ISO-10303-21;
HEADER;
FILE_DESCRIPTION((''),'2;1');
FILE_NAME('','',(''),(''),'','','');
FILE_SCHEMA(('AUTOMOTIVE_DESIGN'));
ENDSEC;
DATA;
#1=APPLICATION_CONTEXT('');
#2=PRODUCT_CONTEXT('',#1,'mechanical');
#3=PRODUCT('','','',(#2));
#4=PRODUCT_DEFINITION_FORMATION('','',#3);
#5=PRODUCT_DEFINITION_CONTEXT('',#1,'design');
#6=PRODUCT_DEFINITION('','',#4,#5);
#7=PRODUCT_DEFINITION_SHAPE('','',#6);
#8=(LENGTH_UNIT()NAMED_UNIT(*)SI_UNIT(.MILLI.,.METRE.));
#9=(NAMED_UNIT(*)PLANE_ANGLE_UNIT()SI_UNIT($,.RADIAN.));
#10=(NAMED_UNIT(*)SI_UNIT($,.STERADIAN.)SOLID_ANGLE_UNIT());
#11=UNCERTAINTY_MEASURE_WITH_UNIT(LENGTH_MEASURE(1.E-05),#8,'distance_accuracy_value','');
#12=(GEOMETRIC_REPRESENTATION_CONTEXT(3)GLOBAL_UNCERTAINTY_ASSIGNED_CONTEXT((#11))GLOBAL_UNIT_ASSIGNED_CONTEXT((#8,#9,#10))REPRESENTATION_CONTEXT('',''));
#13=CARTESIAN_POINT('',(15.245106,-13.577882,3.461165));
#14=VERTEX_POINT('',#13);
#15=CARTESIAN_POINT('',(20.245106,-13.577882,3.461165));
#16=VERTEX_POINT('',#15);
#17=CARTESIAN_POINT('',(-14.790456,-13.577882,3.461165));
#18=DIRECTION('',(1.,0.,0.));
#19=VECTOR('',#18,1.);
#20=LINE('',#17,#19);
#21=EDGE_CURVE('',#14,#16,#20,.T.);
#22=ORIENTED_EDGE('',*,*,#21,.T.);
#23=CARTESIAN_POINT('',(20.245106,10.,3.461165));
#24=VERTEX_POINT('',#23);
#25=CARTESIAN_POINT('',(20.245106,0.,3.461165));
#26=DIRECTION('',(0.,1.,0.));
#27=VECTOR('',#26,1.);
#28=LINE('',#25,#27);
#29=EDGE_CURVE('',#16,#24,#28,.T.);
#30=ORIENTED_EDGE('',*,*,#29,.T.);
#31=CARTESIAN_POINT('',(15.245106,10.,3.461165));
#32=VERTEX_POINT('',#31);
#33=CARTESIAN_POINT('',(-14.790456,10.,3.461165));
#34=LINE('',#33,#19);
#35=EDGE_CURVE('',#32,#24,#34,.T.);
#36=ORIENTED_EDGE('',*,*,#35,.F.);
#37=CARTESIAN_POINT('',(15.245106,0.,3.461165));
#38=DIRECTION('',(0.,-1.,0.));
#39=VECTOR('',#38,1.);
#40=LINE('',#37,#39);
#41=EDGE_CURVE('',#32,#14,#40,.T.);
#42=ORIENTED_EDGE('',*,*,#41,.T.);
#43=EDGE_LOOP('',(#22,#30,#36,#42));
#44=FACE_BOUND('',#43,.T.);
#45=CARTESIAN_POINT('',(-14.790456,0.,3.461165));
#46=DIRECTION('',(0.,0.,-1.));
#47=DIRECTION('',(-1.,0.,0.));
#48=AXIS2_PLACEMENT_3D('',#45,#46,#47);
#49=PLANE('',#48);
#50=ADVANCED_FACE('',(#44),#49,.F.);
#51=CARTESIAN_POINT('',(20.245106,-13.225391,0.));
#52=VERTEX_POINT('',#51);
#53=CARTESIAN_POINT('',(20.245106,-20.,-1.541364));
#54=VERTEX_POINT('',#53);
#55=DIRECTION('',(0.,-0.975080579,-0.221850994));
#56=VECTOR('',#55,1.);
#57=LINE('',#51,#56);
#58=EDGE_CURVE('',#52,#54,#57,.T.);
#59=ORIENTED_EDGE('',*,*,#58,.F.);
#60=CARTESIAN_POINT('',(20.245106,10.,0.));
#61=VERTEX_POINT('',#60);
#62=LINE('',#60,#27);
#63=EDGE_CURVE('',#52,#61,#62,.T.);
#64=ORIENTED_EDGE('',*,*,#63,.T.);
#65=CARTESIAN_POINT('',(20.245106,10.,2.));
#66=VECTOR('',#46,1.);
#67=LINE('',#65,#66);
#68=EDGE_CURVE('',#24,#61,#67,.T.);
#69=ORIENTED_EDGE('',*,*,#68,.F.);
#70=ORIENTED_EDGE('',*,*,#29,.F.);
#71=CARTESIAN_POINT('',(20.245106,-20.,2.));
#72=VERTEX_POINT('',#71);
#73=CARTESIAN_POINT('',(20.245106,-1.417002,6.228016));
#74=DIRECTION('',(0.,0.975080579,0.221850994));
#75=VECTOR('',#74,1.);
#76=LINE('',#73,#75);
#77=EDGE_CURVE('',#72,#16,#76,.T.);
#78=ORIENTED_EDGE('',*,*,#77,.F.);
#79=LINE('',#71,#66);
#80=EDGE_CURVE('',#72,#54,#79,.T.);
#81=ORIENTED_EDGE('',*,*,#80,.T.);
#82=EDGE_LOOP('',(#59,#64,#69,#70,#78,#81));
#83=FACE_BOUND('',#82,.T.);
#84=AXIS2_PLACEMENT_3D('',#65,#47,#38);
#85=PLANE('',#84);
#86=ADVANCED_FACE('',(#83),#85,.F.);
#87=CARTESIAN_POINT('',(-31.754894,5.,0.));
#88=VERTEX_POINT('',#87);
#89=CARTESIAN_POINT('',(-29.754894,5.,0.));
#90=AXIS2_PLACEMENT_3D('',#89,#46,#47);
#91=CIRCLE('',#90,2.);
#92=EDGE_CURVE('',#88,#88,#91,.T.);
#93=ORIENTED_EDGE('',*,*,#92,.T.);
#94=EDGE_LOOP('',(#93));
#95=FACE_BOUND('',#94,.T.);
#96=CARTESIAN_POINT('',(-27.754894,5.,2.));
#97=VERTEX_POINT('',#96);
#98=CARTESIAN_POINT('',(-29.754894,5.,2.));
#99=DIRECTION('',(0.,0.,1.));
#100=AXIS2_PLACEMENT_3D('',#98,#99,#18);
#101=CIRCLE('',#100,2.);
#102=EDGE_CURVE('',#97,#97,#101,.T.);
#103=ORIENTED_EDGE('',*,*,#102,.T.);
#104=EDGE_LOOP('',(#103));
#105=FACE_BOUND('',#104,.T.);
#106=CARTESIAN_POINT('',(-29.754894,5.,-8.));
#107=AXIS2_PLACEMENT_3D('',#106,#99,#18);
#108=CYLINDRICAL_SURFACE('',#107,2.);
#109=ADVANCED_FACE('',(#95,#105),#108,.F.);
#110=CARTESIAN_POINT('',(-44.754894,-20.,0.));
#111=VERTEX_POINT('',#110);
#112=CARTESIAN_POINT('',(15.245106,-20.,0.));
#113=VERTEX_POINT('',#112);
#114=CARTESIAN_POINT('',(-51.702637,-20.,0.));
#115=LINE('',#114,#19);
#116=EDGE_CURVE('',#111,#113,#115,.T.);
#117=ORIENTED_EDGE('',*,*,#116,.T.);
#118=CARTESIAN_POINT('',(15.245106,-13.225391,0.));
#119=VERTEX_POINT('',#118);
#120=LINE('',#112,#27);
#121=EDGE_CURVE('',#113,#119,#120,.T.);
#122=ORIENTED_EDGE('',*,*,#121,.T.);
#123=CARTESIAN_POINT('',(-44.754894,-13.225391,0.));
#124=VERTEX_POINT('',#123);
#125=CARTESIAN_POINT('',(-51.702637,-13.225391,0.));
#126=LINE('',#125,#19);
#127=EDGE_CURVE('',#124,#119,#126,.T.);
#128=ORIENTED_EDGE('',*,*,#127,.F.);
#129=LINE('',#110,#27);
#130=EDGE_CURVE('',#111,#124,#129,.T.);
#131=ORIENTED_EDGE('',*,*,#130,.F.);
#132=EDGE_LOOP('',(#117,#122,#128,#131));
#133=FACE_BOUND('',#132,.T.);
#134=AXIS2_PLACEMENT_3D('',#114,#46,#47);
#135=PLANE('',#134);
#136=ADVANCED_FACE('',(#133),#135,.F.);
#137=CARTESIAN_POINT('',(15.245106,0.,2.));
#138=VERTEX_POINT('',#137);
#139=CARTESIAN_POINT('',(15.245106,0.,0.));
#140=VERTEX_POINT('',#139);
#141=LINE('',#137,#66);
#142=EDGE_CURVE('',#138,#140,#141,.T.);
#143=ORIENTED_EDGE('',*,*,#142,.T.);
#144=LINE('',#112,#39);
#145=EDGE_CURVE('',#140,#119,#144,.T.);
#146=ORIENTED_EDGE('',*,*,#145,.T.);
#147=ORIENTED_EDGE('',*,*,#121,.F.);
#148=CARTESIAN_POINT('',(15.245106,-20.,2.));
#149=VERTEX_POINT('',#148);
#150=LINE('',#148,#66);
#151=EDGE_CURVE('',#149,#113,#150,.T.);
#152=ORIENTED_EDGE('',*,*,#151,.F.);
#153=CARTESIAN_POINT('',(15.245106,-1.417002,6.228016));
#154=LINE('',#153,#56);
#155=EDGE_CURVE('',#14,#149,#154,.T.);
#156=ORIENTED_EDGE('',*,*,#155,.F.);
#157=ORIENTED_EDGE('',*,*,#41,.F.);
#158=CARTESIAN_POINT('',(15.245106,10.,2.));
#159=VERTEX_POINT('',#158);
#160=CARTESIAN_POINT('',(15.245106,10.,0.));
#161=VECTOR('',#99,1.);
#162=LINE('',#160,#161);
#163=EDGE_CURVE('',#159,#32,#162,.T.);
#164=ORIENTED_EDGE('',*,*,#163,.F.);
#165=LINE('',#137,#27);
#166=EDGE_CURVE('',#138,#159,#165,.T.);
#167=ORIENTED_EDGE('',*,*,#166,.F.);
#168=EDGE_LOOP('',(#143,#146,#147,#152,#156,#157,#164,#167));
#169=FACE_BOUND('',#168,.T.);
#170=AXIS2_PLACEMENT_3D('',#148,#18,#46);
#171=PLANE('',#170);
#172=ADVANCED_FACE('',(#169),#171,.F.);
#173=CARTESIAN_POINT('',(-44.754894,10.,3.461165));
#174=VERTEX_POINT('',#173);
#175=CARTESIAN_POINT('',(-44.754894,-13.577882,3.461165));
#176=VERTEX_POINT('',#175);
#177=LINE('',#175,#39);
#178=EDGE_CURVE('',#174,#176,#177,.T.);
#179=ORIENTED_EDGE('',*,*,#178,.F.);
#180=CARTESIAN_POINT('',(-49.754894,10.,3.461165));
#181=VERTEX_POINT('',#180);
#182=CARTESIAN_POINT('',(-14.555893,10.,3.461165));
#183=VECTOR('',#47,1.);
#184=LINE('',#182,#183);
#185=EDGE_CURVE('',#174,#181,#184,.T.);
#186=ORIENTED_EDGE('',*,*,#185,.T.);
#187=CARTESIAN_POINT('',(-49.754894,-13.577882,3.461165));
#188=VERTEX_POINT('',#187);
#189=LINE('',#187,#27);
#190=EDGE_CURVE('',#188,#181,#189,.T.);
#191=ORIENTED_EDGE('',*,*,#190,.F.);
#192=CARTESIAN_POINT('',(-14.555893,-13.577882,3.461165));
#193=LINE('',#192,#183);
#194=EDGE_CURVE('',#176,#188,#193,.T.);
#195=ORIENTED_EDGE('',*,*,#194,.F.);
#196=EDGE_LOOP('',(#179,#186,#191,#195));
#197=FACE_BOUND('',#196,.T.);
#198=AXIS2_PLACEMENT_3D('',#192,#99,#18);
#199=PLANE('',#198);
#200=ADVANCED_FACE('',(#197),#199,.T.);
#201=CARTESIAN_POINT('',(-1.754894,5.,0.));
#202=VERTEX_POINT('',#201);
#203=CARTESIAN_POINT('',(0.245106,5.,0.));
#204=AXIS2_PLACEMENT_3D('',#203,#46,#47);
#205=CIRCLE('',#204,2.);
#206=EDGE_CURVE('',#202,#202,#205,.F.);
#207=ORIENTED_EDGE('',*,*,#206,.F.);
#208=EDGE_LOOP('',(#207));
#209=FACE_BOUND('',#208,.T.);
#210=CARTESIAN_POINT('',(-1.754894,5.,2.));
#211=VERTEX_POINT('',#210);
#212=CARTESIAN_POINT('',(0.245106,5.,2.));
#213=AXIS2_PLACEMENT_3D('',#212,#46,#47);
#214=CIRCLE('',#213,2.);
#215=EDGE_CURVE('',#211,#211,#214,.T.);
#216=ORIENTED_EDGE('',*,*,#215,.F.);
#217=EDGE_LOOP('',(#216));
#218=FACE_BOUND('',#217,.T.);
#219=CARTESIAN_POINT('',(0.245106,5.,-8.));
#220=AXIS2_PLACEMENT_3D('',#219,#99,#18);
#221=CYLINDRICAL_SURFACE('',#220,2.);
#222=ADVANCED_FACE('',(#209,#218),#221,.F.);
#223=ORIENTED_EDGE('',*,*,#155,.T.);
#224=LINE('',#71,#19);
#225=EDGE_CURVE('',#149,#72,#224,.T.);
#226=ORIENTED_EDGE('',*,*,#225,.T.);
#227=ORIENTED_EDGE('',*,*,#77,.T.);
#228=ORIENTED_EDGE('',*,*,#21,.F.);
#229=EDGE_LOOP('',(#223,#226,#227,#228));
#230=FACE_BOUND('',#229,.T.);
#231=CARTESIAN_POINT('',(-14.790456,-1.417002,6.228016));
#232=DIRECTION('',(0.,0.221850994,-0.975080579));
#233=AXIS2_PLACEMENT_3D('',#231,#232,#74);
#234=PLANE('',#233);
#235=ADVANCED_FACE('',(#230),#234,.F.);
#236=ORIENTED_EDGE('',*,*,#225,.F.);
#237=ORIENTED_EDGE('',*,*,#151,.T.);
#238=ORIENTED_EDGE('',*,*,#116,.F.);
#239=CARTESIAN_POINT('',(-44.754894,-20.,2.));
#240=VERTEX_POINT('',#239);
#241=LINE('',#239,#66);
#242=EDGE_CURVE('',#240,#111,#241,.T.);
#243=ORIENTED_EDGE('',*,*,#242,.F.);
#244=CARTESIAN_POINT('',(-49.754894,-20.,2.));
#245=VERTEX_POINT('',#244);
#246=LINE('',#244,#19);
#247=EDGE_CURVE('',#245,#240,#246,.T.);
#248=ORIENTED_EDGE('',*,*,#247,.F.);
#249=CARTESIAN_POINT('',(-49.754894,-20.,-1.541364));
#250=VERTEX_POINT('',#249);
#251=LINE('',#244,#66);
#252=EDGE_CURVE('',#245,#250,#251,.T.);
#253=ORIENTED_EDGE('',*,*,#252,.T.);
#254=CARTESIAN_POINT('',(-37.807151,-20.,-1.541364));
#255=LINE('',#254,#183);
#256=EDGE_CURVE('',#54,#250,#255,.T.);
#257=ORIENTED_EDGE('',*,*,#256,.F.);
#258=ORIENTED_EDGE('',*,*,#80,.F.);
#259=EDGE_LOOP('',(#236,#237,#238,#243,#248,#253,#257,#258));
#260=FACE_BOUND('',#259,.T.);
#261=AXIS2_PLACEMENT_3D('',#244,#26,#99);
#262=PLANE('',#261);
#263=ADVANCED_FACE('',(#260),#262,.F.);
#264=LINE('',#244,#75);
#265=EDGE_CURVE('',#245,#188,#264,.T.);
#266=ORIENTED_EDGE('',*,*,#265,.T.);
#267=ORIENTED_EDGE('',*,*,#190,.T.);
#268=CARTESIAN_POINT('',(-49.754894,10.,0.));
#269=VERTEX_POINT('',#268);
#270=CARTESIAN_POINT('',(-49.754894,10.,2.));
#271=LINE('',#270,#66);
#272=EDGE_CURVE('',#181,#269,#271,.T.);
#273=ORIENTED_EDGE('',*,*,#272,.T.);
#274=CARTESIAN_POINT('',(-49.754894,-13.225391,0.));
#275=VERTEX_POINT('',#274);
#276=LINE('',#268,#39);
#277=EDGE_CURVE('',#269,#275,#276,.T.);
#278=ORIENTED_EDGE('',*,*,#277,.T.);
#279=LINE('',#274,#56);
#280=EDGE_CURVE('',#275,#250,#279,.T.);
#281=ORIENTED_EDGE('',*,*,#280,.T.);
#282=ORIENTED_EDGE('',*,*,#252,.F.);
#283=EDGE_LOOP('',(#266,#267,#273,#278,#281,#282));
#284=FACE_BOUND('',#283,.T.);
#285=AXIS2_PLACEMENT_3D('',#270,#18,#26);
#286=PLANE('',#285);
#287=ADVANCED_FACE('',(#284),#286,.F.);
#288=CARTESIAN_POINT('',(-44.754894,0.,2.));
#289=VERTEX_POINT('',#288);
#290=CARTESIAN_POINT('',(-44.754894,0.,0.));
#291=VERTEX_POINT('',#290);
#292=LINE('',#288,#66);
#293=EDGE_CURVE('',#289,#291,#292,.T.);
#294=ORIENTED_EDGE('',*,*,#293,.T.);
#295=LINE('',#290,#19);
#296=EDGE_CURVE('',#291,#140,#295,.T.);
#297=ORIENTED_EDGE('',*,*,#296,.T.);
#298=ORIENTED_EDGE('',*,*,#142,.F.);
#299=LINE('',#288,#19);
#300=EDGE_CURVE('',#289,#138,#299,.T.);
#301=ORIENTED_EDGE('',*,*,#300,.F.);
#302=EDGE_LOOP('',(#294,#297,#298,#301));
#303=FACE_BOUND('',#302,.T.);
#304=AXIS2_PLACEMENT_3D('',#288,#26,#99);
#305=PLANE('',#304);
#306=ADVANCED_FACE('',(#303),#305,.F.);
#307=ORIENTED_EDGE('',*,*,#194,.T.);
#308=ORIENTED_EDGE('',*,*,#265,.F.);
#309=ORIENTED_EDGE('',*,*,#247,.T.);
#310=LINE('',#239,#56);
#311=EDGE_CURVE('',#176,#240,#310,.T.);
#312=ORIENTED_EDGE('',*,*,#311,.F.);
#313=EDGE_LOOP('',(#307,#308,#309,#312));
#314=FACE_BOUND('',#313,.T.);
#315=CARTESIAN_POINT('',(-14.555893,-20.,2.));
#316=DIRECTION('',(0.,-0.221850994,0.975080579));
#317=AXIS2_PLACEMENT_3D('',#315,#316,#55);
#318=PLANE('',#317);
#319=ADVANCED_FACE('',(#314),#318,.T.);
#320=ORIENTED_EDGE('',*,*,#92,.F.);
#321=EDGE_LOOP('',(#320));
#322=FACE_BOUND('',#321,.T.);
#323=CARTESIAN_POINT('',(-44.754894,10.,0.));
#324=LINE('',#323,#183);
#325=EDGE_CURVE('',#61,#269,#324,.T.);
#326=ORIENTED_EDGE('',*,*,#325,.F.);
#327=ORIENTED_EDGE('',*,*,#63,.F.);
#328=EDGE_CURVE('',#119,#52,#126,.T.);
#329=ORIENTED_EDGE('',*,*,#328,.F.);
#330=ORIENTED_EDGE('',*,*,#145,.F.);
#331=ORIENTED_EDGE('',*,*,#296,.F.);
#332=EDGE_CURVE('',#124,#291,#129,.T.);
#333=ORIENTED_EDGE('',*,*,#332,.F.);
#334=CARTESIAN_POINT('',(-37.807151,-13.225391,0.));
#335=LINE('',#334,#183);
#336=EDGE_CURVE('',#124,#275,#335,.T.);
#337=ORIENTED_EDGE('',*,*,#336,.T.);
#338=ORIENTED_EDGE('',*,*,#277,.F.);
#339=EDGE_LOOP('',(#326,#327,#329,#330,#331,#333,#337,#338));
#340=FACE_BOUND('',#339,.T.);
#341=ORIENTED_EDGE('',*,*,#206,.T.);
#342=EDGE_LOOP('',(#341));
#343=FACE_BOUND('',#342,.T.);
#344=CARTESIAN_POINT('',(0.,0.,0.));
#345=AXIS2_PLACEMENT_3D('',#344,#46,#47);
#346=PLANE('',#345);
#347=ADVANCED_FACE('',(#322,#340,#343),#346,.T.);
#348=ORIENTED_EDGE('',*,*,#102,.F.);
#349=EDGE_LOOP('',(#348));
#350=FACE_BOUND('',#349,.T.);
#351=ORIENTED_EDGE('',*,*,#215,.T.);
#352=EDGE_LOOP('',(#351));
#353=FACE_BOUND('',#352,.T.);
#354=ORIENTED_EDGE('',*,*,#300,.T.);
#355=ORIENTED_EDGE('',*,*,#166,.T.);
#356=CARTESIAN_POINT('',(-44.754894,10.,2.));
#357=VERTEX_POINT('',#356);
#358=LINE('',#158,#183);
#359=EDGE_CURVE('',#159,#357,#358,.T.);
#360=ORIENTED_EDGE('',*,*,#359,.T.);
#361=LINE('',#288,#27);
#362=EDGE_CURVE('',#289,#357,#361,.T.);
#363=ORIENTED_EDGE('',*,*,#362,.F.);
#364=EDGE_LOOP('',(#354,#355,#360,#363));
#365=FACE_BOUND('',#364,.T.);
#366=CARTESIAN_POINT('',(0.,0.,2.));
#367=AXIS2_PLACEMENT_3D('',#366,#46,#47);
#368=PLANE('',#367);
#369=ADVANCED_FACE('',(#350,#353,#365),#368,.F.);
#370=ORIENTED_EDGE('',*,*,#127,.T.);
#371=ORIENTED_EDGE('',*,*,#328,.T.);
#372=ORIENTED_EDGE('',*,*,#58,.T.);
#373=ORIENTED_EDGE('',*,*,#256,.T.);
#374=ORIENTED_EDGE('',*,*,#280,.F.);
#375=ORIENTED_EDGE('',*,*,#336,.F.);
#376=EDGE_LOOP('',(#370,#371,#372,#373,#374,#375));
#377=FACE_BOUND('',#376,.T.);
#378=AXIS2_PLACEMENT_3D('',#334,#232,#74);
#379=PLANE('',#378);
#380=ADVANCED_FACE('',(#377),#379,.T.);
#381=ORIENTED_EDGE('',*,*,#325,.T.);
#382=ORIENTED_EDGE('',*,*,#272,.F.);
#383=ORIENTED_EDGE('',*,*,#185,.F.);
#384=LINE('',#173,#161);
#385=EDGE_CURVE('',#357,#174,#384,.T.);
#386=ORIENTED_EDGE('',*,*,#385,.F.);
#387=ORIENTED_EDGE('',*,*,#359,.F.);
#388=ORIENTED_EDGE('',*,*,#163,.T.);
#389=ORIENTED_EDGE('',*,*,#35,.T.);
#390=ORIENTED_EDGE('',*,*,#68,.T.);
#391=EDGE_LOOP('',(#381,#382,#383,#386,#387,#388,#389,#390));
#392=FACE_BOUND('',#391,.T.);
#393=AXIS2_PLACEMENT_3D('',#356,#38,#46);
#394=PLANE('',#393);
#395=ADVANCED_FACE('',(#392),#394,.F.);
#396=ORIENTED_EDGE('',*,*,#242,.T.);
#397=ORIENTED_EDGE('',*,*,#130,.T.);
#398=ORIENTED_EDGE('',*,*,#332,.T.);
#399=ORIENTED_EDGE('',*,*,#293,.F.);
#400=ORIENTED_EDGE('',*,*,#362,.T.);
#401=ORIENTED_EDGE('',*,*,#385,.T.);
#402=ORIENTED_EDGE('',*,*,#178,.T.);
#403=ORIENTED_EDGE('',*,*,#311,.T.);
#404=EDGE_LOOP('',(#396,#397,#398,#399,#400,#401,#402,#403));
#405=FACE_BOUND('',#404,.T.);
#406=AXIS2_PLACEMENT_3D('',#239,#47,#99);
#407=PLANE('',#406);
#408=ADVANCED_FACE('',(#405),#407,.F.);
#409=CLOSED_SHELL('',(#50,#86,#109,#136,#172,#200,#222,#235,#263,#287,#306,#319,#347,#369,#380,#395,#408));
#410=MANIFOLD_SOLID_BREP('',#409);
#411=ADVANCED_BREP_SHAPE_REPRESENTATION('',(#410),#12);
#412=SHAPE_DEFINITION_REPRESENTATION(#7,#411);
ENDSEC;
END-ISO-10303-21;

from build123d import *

# Parameters (mm, degrees)
EXTRUDE_1_DEPTH     = 2
EXTRUDE_2_DEPTH     = 5
EXTRUDE_3_DEPTH     = 5
SKETCH_4_R          = 2
CUT_EXTRUDE_1_DEPTH = 10
EXTRUDE_START       = -70
EXTRUDE_4_DEPTH     = 70


with BuildPart() as part:
    # 草图1 → 凸台-拉伸1 (new body)
    with BuildSketch(Plane.XY):
        Polygon((-44.754893935, 0), (15.245106065, 0), (15.245106065, -20), (20.245106065, -20), (20.245106065, 10), (15.245106065, 10), (-44.754893935, 10), (-49.754893935, 10), (-49.754893935, -20), (-44.754893935, -20), align=None)
    extrude(amount=EXTRUDE_1_DEPTH)

    # 草图2 → 凸台-拉伸2 (add)
    with BuildSketch(Plane.ZY.offset(49.754893935)):
        Polygon((0, 10), (0, -20), (2, -20), (3.461164558, -13.577882357), (3.461164558, 10), align=None)
    extrude(amount=-EXTRUDE_2_DEPTH)

    # 草图3 → 凸台-拉伸3 (add)
    with BuildSketch(Plane(origin=(20.245106065, 0, 0), x_dir=(0, 0, -1), z_dir=(1, 0, 0))):
        Polygon((-2, 10), (-3.461164558, 10), (-3.461164558, -13.577882357), (-2, -20), align=None)
    extrude(amount=-EXTRUDE_3_DEPTH)

    # 草图4 → 切除-拉伸1 (cut)
    with BuildSketch(Plane.XY.offset(2)):
        with Locations((-29.754893935, 5)):
            Circle(SKETCH_4_R)
    cut_extrude_1 = extrude(amount=-CUT_EXTRUDE_1_DEPTH, mode=Mode.SUBTRACT)

    # 镜向2: 切除-拉伸1 across plane
    add(cut_extrude_1.mirror(Plane.ZY.offset(14.754893935)), mode=Mode.SUBTRACT)

    # 草图5 → 凸台-拉伸4 (add)
    with BuildSketch(Plane.ZY.offset(49.754893935).offset(EXTRUDE_START)):
        Polygon((0, -13.225390566), (-1.541363729, -20), (0, -20), align=None)
    extrude_4 = extrude(amount=EXTRUDE_4_DEPTH)

    # 镜向3: 凸台-拉伸4 across plane
    add(extrude_4.mirror(Plane.ZY.offset(14.754893935)))


solid = part.part
